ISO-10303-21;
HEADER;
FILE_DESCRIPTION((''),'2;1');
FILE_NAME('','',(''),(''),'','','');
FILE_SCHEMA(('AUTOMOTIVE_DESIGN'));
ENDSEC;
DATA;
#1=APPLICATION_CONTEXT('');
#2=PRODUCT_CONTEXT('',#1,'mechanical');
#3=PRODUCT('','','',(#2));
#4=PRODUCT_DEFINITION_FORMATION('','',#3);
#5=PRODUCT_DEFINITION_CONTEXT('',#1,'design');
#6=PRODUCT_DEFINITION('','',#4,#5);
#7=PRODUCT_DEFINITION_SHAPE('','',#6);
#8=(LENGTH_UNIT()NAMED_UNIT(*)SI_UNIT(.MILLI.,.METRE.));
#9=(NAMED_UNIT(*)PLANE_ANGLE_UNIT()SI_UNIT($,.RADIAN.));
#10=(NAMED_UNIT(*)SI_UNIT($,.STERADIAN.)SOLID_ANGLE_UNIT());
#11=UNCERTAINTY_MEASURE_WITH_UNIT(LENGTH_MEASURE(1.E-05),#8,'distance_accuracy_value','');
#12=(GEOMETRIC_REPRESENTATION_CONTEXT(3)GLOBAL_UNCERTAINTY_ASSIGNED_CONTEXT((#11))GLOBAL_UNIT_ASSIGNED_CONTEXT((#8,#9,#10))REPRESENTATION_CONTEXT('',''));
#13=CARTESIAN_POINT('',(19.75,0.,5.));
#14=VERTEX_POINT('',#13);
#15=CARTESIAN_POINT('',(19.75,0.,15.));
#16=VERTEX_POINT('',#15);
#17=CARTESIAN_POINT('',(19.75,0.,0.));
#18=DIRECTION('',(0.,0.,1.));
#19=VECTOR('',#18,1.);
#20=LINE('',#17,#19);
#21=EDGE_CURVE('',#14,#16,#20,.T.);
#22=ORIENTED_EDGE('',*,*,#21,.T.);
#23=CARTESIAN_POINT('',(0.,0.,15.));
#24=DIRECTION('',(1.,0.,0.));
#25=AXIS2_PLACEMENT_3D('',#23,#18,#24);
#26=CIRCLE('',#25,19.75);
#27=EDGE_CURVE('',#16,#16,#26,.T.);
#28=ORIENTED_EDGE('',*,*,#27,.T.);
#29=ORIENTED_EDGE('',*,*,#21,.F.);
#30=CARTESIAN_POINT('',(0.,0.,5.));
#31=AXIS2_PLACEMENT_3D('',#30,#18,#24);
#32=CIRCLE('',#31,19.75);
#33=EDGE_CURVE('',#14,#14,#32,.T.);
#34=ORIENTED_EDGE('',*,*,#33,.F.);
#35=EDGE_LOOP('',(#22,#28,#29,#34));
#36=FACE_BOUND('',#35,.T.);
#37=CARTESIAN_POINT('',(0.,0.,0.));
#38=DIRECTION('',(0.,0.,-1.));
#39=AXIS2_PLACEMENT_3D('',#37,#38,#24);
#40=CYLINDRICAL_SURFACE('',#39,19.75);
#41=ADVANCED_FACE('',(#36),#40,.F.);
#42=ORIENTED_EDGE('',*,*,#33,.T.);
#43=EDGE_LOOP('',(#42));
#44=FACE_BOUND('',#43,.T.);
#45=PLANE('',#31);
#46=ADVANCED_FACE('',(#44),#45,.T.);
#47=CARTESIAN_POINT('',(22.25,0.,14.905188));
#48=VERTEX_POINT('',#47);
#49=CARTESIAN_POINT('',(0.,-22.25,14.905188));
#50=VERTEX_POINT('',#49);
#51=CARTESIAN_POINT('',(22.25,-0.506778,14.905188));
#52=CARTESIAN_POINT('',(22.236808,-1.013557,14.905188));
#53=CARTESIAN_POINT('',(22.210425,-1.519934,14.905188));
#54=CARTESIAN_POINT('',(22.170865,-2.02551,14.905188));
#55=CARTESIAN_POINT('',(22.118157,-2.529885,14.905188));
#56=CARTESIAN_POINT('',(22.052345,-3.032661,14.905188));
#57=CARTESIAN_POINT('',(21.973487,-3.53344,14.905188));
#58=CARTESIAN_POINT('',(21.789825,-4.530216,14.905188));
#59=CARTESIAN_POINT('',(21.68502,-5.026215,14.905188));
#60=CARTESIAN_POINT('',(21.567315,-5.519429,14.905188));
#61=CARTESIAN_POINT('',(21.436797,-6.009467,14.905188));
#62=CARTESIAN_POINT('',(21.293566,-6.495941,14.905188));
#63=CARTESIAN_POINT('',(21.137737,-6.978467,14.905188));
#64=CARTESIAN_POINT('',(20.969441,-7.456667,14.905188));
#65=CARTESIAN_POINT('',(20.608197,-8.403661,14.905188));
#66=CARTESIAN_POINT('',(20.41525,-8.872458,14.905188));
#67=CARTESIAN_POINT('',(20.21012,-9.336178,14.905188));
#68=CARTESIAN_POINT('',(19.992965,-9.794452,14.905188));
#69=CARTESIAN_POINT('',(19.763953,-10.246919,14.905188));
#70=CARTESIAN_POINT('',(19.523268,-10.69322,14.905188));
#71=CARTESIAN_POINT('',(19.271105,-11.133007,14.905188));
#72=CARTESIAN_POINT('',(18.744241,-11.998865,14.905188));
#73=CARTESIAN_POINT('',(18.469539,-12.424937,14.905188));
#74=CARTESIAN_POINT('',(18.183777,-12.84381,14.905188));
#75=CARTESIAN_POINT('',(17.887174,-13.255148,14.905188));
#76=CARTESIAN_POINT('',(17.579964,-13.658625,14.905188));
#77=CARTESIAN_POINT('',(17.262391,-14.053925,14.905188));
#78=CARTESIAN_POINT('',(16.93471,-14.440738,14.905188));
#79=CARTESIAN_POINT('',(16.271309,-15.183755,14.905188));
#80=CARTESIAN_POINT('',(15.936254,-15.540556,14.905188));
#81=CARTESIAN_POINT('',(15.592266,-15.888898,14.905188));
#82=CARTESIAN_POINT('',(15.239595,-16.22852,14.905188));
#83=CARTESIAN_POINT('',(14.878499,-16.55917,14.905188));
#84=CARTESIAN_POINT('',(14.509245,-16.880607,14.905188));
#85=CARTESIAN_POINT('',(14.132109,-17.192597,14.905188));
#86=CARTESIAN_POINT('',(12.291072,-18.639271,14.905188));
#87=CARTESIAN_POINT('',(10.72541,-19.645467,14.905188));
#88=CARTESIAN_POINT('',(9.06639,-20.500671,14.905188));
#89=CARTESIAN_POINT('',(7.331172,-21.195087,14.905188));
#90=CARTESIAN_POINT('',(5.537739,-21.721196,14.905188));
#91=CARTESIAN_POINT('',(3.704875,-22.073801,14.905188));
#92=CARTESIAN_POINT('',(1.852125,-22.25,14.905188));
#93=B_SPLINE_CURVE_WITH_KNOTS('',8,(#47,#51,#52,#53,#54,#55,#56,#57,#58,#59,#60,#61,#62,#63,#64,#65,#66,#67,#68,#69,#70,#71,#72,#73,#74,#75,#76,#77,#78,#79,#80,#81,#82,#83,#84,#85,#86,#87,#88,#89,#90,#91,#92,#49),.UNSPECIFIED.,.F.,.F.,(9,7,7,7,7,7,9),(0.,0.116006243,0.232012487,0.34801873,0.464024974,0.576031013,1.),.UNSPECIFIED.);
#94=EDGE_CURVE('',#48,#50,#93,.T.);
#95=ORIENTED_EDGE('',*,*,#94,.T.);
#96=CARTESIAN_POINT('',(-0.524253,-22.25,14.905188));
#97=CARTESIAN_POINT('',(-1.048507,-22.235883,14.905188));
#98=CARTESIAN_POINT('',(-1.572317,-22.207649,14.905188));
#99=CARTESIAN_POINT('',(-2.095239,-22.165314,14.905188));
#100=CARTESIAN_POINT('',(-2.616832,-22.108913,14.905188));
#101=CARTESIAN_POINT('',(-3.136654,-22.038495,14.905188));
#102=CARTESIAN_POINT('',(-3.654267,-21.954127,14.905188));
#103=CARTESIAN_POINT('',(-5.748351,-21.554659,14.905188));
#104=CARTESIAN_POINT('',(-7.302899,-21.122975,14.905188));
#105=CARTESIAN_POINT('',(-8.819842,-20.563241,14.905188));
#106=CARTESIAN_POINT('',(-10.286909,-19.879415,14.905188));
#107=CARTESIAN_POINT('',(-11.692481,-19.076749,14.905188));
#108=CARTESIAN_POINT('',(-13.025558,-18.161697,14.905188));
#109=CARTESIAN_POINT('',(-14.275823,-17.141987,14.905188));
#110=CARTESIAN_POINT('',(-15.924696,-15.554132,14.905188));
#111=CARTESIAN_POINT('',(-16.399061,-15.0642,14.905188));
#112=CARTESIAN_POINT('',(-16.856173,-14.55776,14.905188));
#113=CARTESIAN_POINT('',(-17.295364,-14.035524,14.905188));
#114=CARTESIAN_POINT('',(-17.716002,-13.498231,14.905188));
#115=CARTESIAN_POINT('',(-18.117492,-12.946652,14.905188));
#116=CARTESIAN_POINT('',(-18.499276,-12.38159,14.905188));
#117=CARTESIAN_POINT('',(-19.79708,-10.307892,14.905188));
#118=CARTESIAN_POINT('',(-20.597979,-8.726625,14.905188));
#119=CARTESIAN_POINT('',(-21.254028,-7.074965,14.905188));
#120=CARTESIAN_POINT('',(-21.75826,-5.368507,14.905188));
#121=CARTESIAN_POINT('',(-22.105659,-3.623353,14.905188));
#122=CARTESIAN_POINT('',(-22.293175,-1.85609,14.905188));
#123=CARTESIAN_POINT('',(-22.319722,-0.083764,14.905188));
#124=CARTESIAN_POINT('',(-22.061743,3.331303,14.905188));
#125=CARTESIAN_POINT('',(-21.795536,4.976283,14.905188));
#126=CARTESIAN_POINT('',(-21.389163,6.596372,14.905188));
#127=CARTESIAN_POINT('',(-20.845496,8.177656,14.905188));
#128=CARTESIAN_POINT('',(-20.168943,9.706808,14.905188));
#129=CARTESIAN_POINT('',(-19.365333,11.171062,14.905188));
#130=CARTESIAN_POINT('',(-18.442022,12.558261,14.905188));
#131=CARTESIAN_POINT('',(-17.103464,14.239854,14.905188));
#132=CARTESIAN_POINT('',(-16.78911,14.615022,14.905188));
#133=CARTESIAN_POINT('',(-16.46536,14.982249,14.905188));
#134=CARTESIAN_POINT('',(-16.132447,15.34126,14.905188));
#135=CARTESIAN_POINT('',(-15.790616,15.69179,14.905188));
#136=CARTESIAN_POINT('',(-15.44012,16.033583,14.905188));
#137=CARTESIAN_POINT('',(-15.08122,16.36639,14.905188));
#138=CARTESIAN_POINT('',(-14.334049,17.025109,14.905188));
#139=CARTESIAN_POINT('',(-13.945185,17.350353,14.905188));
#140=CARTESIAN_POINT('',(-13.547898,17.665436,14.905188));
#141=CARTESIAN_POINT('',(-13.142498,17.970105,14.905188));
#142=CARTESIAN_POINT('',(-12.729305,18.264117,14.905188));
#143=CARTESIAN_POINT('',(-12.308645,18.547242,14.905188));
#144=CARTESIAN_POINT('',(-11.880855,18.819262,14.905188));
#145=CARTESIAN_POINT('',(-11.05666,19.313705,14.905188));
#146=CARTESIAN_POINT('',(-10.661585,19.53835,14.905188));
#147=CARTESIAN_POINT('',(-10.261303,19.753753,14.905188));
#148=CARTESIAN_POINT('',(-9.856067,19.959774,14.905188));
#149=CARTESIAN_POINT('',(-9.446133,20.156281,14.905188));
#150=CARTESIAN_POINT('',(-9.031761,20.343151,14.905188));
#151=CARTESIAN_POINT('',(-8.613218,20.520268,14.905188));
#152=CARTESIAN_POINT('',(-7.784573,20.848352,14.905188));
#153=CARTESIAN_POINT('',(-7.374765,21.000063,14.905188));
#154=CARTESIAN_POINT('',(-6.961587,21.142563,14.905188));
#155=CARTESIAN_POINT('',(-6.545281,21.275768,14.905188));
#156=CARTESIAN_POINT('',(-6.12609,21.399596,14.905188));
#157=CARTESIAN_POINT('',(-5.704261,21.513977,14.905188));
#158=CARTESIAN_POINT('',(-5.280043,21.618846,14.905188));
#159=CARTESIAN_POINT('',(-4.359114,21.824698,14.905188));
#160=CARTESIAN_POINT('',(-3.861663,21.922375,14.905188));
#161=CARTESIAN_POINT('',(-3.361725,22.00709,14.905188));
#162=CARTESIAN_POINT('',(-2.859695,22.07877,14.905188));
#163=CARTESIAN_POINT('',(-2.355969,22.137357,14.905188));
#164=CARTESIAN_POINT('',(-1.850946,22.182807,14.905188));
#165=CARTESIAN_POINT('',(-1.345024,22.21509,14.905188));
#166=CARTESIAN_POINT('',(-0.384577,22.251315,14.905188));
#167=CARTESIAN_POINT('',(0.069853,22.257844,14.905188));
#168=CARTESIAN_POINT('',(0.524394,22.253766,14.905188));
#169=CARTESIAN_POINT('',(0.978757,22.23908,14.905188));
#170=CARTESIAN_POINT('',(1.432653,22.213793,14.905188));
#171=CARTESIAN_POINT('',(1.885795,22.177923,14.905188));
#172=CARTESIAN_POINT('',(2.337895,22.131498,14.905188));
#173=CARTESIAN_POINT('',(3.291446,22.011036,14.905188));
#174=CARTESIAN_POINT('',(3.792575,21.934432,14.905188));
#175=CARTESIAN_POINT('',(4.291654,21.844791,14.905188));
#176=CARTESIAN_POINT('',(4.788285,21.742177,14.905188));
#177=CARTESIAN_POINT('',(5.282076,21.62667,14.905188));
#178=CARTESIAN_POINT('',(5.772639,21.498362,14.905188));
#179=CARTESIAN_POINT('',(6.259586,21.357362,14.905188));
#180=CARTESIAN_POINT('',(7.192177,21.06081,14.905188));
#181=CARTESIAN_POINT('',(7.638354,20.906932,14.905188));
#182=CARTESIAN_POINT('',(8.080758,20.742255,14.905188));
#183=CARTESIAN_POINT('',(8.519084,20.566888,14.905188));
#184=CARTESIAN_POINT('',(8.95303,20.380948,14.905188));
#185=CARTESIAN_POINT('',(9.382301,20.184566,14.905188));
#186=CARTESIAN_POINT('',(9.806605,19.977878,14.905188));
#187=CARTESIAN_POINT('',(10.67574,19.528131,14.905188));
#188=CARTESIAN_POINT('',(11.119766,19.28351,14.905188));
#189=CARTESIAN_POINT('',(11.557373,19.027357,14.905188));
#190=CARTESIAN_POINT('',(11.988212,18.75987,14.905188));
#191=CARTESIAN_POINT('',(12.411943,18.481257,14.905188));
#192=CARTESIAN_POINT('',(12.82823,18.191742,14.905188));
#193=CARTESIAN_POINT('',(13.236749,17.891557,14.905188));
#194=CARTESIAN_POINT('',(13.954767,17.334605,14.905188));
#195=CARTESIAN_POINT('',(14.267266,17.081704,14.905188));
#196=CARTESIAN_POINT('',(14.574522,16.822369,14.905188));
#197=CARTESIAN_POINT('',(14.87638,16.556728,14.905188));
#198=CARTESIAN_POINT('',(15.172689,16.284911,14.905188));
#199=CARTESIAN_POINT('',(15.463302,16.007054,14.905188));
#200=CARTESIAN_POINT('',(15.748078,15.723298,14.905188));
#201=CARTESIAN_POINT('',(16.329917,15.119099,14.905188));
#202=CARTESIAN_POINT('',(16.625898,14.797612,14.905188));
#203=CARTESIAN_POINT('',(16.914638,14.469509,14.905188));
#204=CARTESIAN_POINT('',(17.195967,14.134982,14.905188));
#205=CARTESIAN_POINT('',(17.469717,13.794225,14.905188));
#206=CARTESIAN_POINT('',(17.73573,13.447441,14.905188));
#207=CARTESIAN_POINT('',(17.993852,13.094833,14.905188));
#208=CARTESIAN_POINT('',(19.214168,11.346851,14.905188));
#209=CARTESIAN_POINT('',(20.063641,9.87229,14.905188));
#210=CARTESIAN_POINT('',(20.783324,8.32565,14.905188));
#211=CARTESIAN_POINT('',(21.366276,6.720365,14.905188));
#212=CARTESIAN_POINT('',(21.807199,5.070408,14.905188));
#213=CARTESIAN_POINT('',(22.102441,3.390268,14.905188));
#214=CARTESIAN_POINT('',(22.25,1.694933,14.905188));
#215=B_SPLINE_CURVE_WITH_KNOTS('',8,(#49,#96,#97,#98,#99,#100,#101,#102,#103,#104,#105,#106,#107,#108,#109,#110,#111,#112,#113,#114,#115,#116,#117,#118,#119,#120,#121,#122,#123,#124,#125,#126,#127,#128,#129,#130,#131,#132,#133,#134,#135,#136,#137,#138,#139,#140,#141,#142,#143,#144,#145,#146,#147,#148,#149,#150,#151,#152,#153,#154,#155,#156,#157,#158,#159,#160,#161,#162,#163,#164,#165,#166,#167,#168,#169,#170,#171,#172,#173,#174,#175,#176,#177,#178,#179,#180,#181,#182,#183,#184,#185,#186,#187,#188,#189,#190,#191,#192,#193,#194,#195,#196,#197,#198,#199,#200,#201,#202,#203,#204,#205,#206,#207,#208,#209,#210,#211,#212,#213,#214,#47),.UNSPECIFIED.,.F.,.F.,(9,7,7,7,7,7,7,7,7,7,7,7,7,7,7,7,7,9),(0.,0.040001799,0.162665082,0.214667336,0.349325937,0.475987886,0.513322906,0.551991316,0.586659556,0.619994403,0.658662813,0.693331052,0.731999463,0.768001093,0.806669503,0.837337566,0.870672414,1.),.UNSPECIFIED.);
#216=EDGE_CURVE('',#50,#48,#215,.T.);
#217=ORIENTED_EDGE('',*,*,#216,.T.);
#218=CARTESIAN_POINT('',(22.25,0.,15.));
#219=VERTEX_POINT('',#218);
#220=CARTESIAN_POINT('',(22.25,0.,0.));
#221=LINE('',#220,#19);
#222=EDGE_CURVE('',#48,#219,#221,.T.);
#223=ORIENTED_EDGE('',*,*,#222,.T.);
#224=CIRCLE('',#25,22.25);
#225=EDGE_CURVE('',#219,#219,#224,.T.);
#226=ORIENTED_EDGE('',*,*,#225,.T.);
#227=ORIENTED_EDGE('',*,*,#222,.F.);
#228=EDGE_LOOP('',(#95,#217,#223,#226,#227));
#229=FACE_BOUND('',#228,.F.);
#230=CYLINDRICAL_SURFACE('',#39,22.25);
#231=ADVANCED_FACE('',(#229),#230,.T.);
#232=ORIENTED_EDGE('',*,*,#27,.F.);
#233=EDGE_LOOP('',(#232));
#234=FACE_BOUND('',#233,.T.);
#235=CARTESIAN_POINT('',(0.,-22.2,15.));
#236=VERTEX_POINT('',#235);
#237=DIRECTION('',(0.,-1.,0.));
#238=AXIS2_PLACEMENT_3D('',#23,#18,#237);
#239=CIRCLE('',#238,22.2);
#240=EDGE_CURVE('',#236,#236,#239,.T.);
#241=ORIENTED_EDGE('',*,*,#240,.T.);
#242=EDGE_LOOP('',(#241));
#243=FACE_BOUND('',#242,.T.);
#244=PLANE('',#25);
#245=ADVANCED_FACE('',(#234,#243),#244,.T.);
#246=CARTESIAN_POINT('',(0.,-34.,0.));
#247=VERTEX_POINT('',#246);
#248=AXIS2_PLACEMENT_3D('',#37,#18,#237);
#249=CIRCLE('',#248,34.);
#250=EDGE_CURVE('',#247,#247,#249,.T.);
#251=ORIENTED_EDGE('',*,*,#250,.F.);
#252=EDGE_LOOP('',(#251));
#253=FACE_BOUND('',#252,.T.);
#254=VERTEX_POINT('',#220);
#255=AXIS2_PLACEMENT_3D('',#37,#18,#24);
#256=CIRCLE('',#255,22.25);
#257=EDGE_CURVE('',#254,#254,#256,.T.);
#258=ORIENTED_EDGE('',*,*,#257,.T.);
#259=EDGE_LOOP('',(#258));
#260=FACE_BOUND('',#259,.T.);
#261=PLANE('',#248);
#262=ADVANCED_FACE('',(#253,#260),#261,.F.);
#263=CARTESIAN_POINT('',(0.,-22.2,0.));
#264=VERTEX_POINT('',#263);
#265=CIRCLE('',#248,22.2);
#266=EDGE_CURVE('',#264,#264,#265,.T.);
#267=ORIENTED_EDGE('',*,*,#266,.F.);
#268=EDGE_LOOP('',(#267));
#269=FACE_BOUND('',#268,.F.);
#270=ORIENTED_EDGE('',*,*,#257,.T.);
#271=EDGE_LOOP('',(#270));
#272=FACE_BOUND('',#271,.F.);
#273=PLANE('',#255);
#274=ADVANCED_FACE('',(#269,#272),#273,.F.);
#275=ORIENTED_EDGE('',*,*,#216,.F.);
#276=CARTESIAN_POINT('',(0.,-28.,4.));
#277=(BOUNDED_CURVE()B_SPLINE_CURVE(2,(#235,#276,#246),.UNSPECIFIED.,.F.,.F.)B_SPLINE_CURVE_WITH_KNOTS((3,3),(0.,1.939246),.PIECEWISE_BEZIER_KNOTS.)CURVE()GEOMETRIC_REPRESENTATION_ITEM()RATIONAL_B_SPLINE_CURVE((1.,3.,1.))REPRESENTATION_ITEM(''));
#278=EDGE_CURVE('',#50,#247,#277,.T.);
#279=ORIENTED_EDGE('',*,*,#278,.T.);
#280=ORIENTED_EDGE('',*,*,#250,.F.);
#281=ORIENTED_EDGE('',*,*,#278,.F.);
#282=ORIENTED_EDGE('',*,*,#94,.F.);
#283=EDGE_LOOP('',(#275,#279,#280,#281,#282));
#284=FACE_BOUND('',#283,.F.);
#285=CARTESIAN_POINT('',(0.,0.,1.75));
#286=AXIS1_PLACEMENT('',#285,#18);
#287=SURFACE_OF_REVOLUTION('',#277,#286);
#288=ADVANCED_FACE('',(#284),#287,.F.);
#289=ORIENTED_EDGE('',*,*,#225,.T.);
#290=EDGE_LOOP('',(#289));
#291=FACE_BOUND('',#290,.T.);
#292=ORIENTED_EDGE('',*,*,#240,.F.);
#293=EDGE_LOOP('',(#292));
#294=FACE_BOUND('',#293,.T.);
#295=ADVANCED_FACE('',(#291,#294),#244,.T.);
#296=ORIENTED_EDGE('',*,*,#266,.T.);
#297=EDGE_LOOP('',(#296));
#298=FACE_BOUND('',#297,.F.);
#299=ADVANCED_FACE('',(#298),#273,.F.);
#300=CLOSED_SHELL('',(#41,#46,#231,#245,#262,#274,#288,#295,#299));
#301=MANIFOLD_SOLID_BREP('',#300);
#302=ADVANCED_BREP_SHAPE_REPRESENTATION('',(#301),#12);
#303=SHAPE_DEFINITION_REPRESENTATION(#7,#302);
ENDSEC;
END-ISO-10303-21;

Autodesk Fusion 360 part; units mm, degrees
sketch "Sketch1" plane through (0, 0, 0) normal (0, 0, 1) x (1, 0, 0)
  circle A0 centre (0, 0) radius 19.75
  circle A1 centre (0, 0) radius 22.25
  dimension "d1" = 39.5
  dimension "d2" = 44.5
extrude "Extrude1" add sketch "Sketch1" along normal blind 5 contours A0
extrude "Extrude2" add sketch "Sketch1" along normal blind 15
sketch "Sketch2" plane through (0, 0, 0) normal (1, 0, 0) x (0, 1, 0)
  spline S0 degree 2 poles (-22.2, 15) (-28, 4) (-34, 0) knots 0 0 0 1.939246 1.939246 1.939246 weights 1 3 1
  line L0 (-22.2, 15) -> (-22.2, 0)
  line L1 (-22.2, 0) -> (-34, 0)
revolve "Revolve1" add sketch "Sketch2" angle 360 about axis through (0, 0, 1.75) along (0, 0, 1)
